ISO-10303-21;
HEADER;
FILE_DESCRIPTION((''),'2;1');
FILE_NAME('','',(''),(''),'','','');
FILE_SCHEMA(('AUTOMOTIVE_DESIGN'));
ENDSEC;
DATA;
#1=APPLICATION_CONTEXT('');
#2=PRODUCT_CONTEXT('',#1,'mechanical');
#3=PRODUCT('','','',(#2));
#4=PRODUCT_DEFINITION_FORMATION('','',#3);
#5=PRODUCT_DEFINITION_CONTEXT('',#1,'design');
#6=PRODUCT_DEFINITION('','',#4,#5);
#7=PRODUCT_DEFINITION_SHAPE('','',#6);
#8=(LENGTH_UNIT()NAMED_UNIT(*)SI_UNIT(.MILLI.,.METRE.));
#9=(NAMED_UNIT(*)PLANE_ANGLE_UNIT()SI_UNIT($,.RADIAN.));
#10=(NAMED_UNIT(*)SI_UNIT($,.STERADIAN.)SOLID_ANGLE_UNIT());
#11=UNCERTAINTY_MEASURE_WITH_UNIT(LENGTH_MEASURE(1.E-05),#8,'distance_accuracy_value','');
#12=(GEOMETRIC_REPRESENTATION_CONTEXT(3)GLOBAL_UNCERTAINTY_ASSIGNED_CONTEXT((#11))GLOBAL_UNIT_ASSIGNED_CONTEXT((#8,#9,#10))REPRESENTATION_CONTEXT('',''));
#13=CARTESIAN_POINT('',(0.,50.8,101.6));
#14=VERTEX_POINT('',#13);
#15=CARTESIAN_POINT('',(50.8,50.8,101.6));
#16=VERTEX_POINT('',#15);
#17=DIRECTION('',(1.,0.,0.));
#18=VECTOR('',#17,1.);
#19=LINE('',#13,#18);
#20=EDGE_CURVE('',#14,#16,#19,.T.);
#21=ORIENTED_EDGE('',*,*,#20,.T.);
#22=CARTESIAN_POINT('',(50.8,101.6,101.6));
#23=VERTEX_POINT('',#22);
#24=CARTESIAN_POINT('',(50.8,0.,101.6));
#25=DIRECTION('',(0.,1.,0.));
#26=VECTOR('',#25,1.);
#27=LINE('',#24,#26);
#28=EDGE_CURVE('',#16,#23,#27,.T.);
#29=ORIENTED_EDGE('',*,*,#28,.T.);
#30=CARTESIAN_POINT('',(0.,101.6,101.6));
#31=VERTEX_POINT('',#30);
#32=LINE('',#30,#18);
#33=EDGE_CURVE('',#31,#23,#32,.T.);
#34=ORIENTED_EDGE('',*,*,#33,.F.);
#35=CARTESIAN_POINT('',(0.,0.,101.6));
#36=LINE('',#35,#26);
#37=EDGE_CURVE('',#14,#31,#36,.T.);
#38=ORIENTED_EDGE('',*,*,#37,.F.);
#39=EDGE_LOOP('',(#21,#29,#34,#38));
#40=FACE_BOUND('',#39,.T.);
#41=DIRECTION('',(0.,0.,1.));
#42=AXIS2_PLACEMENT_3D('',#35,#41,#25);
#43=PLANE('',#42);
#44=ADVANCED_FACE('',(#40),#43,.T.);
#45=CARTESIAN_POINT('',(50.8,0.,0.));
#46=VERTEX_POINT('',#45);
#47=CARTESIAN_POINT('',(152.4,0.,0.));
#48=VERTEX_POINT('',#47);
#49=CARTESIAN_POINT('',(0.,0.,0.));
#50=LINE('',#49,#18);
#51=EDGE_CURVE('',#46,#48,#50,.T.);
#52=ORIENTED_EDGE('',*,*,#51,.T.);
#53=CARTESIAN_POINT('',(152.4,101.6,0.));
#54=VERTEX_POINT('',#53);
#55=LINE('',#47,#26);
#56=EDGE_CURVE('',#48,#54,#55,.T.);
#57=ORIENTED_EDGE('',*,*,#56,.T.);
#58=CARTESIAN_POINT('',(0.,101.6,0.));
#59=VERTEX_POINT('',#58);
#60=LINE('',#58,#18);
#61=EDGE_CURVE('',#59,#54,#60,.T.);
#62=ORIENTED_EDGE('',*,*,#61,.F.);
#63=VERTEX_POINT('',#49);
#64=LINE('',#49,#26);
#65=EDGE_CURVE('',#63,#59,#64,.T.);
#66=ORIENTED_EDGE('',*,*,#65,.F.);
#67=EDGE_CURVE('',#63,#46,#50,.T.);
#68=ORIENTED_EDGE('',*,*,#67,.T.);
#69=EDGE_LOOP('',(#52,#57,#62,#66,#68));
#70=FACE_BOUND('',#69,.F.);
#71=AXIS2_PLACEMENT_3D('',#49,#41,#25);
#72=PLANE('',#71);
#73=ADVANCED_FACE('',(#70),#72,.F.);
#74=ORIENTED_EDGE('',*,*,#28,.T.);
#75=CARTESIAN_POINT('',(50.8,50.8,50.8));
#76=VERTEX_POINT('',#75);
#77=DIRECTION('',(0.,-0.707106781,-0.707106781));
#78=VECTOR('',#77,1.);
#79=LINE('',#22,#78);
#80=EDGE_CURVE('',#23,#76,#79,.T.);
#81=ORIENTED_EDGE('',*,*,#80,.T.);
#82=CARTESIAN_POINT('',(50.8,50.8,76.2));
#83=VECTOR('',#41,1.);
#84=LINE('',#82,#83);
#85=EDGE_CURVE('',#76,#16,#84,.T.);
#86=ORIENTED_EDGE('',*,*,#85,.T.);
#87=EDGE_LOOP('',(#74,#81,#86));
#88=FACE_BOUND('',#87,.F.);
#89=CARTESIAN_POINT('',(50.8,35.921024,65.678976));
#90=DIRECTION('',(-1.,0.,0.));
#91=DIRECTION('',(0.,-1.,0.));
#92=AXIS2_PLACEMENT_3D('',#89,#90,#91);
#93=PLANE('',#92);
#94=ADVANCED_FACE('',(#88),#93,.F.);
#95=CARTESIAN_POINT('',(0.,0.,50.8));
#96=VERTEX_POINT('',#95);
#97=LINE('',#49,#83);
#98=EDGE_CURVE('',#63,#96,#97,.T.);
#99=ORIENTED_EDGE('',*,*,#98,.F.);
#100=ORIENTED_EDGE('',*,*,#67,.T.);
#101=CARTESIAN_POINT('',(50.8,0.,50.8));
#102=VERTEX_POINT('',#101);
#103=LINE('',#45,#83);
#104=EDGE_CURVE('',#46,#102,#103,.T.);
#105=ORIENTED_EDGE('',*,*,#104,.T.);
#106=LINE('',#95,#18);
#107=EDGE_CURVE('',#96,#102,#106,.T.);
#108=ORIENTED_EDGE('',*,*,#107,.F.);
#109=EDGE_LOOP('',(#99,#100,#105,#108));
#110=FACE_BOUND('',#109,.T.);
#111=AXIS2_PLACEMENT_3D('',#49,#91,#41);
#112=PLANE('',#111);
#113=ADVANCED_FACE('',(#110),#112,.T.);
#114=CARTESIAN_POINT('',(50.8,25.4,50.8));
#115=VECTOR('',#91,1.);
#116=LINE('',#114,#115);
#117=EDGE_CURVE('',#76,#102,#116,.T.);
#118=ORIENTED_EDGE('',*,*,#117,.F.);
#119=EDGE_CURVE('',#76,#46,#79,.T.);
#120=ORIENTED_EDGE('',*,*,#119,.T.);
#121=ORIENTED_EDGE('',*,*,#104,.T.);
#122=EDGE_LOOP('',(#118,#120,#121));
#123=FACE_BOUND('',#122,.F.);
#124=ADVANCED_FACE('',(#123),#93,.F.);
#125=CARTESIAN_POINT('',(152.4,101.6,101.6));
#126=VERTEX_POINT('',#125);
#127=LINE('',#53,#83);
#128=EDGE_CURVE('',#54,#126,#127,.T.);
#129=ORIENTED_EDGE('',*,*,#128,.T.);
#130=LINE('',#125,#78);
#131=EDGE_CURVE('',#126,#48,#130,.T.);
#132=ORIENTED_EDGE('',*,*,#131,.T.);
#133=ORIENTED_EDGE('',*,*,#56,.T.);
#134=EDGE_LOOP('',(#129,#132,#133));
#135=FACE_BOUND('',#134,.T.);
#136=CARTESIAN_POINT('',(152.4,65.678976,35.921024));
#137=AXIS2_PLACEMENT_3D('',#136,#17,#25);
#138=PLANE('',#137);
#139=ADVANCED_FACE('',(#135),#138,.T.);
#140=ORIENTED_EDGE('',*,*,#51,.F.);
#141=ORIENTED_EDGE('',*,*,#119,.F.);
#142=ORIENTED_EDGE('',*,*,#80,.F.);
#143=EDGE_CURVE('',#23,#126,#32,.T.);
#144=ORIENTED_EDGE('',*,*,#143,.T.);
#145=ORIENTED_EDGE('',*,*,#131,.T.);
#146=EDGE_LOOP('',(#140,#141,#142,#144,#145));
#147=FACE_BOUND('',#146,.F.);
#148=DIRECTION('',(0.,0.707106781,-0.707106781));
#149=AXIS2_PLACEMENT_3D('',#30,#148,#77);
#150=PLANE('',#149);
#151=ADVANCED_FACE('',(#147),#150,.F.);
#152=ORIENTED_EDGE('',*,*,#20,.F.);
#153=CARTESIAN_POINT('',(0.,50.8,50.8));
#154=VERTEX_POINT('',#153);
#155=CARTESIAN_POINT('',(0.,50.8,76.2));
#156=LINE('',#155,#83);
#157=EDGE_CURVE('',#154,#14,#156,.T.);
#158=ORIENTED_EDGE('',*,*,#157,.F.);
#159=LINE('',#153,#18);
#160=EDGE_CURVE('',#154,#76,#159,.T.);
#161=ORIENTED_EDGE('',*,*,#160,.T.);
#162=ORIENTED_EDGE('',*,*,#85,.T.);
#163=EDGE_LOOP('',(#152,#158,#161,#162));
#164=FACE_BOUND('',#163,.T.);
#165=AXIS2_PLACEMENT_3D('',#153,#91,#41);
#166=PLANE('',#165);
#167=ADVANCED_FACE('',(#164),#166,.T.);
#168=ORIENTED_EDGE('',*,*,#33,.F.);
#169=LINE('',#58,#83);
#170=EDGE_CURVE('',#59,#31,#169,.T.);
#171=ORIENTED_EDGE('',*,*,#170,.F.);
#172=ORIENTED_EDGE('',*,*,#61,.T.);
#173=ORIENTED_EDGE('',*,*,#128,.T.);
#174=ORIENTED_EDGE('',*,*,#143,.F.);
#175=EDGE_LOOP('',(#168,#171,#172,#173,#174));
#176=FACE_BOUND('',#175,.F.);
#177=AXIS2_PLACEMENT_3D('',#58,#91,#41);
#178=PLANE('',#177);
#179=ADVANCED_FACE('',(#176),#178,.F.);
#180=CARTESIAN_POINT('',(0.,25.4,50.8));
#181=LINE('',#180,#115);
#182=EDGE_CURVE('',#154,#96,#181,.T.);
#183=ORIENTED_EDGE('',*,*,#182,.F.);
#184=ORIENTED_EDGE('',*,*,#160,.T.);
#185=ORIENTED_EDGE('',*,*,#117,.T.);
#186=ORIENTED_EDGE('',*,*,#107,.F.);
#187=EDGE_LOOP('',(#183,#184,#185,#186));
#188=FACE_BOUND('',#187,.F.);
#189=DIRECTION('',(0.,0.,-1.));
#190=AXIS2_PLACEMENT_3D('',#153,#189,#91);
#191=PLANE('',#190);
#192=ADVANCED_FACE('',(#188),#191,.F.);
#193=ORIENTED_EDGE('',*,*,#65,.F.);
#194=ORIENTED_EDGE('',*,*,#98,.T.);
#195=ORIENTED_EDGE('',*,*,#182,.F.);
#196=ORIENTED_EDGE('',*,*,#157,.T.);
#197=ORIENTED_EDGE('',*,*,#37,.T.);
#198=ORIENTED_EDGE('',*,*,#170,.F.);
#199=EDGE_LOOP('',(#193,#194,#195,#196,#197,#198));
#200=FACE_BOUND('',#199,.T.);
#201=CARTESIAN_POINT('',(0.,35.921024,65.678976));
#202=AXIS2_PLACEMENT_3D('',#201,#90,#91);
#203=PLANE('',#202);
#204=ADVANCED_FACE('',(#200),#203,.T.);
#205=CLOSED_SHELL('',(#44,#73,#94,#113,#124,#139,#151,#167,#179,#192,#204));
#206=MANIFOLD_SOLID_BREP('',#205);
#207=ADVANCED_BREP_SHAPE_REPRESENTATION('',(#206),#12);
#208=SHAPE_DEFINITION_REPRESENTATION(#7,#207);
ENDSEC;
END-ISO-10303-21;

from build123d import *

# Parameters (mm, degrees)
F1_DEPTH = 152.4
F3_DEPTH = 50.8
F4_W     = 50.8
F4_H     = 50.8
F5_DEPTH = 50.8


with BuildPart() as f1:
    # F0 (on Right) → F1 (new body)
    with BuildSketch(Plane.YZ):
        Polygon((101.6, 101.6), (0, 0), (101.6, 0), align=None)
    extrude(amount=F1_DEPTH)

    # F2 (on face) → F3 (join)
    with BuildSketch(Plane(origin=(0, 0, 0), x_dir=(0, -1, 0), z_dir=(-1, 0, 0))):
        Polygon((0, 101.6), (-101.6, 101.6), (0, 0), align=None)
    extrude(amount=-F3_DEPTH)

    # F4 (on face) → F5 (cut)
    with BuildSketch(Plane(origin=(0, 0, 0), x_dir=(0, -1, 0), z_dir=(-1, 0, 0))):
        with Locations((-25.4, 76.2)):
            Rectangle(F4_W, F4_H)
    extrude(amount=-F5_DEPTH, mode=Mode.SUBTRACT)


solid = f1.part
